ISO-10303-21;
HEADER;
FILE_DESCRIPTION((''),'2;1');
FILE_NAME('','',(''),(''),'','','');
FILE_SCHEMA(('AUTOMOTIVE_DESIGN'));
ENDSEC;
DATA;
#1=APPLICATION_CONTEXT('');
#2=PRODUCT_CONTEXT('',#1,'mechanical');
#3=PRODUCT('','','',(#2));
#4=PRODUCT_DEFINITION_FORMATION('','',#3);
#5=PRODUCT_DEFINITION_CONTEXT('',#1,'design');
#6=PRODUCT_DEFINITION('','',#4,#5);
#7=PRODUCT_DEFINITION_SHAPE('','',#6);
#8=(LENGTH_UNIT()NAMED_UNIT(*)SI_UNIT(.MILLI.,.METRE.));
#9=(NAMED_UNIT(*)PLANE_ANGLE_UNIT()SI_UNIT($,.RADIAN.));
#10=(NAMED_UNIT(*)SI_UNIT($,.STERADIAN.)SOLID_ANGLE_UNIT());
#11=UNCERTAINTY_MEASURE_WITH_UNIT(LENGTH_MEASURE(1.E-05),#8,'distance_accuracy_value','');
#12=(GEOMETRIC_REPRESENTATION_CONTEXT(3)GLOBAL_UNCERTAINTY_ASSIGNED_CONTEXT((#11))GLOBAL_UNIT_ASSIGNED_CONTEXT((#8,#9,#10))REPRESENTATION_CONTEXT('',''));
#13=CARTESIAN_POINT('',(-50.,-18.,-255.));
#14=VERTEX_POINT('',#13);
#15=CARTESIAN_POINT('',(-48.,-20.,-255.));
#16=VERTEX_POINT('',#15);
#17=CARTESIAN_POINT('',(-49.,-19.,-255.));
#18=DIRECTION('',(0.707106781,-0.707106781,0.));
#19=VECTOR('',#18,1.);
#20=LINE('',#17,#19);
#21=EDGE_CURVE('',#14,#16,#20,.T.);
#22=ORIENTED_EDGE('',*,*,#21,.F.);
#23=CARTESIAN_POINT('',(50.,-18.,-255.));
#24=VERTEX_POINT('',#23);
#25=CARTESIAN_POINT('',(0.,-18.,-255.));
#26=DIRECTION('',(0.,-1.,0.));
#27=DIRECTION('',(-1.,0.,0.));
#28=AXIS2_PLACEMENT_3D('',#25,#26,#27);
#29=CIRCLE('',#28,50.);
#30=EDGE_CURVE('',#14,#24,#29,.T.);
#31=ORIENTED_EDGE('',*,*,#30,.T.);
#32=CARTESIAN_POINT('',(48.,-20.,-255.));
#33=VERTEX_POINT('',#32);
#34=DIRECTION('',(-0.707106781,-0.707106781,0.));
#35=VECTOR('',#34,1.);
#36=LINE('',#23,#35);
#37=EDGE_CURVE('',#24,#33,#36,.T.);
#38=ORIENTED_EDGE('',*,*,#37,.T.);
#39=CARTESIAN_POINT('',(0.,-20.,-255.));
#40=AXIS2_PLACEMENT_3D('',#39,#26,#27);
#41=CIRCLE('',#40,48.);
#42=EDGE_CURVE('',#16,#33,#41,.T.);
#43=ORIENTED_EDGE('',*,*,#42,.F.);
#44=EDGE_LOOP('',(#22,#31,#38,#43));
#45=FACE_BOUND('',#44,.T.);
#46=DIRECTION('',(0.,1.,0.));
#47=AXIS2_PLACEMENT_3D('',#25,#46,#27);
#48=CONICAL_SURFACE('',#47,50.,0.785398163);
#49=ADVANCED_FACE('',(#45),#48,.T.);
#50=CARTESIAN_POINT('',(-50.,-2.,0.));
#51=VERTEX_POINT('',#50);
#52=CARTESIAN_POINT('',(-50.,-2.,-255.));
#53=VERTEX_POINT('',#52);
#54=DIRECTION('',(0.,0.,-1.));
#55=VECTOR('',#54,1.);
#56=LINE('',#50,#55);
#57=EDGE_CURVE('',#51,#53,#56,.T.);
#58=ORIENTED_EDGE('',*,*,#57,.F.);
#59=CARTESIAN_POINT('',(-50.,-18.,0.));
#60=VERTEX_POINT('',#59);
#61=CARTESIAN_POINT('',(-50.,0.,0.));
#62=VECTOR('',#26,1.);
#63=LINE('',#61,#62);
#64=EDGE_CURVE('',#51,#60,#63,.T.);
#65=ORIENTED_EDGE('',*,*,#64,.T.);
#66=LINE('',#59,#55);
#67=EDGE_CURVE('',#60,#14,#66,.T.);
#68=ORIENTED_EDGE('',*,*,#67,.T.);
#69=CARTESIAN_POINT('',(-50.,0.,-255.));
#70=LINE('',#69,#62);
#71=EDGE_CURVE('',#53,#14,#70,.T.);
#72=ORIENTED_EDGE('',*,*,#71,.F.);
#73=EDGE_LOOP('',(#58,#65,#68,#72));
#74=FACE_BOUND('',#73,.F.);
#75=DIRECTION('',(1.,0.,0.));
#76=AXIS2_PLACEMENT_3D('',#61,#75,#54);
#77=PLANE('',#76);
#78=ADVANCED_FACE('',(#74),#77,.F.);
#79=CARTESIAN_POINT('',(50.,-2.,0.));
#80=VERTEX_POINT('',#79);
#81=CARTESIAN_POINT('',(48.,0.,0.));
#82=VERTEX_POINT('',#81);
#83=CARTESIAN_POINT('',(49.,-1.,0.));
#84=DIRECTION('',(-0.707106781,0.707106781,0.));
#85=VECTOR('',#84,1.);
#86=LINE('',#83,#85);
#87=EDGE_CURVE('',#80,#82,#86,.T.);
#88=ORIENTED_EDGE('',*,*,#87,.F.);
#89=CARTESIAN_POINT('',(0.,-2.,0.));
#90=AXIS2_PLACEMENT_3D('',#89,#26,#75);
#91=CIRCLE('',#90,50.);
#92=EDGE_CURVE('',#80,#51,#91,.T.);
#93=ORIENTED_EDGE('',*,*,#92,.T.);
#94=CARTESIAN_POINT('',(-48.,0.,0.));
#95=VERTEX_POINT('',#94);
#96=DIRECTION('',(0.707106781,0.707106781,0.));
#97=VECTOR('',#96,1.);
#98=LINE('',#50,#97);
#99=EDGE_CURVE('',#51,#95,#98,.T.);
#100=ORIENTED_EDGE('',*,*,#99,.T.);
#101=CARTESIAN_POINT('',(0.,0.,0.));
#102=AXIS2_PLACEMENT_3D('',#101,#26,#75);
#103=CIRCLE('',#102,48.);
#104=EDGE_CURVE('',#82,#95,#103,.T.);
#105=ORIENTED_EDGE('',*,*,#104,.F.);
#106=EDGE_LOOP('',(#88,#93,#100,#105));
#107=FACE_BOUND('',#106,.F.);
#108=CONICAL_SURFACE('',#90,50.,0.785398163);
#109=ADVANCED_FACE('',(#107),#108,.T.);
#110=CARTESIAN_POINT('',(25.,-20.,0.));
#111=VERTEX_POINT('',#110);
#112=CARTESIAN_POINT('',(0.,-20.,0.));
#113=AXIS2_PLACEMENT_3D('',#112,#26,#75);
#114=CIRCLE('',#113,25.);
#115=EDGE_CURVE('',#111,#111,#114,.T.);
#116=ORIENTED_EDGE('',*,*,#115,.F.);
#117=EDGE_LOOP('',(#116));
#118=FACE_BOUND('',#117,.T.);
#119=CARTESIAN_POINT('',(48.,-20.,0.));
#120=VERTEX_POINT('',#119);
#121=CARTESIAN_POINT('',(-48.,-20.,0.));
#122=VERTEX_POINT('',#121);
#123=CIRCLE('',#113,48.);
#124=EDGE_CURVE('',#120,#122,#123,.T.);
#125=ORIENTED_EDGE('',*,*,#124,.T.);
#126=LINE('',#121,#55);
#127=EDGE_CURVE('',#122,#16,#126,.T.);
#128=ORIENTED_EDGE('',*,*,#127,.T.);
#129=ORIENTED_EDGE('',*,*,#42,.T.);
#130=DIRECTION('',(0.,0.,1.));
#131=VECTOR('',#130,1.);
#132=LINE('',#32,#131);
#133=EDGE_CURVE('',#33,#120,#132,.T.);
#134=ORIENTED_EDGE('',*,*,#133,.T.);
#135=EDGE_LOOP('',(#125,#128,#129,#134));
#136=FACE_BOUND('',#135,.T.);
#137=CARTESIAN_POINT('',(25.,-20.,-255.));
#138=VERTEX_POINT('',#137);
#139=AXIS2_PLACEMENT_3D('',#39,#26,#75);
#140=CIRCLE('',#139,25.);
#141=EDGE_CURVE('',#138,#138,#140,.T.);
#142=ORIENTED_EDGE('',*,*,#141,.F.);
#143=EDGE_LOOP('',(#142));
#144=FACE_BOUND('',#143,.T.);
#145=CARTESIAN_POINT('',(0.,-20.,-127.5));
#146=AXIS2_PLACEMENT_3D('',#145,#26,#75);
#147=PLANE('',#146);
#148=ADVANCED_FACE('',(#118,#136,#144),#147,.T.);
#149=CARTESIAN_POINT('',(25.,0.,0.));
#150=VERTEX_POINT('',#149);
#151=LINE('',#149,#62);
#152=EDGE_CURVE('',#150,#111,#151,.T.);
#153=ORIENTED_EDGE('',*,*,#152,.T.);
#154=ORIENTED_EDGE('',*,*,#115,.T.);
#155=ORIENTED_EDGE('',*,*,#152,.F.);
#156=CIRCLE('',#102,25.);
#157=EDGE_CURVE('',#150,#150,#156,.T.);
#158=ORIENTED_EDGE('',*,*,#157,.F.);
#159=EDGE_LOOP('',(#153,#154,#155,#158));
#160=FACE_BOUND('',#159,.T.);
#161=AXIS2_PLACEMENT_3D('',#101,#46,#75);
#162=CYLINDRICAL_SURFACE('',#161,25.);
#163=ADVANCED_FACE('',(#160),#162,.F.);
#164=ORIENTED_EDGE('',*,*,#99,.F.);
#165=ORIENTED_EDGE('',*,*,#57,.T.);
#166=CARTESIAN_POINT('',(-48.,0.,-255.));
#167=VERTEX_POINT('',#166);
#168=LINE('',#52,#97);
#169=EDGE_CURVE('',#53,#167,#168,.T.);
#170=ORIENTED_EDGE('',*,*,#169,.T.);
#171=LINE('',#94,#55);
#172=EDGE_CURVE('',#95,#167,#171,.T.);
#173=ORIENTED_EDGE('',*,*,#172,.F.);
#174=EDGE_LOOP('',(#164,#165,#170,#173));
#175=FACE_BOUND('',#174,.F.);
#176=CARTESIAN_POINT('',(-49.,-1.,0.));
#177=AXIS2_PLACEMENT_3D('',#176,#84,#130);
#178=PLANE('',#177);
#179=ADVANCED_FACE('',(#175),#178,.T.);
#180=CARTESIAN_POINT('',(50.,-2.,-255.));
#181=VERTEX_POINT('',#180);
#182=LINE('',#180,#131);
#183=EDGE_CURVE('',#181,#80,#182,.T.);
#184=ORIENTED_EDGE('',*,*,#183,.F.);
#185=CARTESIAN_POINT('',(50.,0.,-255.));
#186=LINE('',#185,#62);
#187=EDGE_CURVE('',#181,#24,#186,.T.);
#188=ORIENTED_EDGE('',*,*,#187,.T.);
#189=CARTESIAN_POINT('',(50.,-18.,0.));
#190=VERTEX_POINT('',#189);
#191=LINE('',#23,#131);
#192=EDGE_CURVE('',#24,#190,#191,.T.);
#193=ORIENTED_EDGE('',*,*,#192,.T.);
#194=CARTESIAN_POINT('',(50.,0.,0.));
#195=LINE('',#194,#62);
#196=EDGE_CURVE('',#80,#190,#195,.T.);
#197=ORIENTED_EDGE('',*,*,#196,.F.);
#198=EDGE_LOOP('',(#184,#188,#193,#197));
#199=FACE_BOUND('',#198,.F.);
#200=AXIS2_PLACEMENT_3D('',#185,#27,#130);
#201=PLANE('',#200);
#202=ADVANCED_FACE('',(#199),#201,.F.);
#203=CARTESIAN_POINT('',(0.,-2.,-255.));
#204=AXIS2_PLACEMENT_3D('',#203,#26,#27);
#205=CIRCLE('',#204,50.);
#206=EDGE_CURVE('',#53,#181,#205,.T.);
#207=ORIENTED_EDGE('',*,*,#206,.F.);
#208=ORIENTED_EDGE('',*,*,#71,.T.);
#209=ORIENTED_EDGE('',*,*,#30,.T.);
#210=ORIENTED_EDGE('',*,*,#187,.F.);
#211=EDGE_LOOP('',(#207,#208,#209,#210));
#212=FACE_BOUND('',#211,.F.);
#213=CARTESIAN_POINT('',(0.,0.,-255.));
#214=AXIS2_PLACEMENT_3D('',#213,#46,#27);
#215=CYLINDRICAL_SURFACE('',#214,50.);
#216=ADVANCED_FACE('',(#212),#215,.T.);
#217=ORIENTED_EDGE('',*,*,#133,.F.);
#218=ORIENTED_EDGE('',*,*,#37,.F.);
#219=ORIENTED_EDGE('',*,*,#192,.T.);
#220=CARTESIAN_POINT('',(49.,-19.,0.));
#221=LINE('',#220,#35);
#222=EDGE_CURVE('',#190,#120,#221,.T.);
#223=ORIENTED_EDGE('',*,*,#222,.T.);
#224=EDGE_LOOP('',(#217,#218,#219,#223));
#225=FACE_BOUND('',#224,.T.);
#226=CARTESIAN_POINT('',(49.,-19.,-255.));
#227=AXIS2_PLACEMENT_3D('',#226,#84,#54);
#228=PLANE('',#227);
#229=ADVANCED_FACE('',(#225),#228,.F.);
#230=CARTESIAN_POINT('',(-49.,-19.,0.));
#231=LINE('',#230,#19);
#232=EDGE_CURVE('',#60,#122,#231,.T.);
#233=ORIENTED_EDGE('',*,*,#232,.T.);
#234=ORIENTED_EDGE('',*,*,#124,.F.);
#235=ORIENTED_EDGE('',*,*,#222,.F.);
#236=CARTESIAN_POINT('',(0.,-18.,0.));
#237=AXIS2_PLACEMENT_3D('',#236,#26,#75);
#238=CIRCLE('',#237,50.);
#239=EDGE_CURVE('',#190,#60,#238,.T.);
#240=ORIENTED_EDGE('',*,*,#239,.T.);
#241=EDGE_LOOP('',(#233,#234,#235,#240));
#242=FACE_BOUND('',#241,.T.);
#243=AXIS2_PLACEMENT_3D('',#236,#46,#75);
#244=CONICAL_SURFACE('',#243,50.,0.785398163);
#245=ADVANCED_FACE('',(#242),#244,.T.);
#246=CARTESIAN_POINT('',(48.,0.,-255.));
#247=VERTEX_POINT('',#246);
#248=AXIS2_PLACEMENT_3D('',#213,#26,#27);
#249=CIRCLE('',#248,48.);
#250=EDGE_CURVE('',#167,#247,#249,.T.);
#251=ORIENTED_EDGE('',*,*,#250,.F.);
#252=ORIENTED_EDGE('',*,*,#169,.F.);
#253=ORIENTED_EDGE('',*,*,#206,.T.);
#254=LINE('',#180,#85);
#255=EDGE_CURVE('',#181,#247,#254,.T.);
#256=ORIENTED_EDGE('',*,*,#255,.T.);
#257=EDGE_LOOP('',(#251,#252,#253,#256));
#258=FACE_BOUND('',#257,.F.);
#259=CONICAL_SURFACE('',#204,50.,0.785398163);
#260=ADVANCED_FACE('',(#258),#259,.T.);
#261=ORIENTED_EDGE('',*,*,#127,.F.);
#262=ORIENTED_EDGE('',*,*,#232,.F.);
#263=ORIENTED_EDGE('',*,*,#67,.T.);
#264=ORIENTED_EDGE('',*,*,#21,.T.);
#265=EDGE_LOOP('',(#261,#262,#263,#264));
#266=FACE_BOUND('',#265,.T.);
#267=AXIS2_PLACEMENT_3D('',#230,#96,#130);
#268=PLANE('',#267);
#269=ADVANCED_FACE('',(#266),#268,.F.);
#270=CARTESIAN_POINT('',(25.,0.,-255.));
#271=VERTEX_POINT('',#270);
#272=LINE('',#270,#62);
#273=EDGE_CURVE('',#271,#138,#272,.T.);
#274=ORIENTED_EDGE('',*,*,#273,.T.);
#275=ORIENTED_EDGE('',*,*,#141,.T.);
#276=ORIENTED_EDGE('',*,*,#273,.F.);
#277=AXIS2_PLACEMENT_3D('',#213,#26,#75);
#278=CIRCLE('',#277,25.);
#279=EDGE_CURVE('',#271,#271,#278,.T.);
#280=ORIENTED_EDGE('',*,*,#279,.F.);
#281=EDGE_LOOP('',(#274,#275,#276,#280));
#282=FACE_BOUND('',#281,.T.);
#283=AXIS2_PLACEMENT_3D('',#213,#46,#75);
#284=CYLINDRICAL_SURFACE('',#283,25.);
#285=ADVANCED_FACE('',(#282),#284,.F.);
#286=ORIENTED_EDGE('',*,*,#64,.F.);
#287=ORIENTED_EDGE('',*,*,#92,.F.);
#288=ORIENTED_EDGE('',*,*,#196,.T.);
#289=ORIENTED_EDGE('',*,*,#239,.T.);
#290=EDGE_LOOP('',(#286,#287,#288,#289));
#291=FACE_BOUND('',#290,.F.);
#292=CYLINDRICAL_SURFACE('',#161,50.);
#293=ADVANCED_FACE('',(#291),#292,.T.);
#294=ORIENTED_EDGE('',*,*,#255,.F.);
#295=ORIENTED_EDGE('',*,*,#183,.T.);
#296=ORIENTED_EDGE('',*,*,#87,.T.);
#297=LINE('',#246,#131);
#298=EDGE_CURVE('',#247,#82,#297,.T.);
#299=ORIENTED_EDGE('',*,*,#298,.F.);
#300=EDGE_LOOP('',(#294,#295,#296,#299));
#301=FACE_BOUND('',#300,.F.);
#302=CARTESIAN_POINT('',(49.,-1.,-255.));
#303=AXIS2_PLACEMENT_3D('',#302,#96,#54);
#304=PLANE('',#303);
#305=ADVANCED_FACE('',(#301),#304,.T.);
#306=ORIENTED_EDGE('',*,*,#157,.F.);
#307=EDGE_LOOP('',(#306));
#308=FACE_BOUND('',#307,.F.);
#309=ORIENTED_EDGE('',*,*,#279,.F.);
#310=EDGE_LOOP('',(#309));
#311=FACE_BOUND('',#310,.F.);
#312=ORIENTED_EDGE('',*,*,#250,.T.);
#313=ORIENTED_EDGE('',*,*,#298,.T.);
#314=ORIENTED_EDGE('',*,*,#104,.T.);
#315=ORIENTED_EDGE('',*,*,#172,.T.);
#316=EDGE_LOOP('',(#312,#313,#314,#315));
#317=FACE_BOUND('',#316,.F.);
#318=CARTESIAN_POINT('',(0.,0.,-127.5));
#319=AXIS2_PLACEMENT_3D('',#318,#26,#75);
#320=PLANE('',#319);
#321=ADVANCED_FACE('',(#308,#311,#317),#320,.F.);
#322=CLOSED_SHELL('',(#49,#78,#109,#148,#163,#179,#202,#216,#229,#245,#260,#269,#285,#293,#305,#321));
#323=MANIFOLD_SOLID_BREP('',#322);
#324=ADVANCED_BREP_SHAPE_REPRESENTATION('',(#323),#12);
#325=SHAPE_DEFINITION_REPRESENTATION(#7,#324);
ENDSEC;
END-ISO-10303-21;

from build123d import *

# Parameters (mm, degrees)
F0_R     = 25
F1_DEPTH = 20
F2_SIZE2 = 2
F2_SIZE  = 2


with BuildPart() as f1:
    # F0 (on Front) → F1 (new body)
    with BuildSketch(Plane.XZ):
        with BuildLine():
            ThreePointArc((50, 0), (0, 50), (-50, 0))
            Line((-50, 0), (-50, -255))
            ThreePointArc((-50, -255), (0, -305), (50, -255))
            Line((50, -255), (50, 0))
        make_face()
        with Locations((0, -255)):
            Circle(F0_R, mode=Mode.SUBTRACT)
        Circle(F0_R, mode=Mode.SUBTRACT)
    extrude(amount=F1_DEPTH)

    # F2
    f2_edges = [f1.edges().sort_by_distance(p)[0] for p in [
        (-50, -20, -127.5),
        (0, -20, 50),
        (50, -20, -127.5),
        (0, -20, -305),
        (0, 0, -305),
        (-50, 0, -127.5),
        (0, 0, 50),
        (50, 0, -127.5),
    ]]
    chamfer(f2_edges, length=F2_SIZE, length2=F2_SIZE2)


solid = f1.part
